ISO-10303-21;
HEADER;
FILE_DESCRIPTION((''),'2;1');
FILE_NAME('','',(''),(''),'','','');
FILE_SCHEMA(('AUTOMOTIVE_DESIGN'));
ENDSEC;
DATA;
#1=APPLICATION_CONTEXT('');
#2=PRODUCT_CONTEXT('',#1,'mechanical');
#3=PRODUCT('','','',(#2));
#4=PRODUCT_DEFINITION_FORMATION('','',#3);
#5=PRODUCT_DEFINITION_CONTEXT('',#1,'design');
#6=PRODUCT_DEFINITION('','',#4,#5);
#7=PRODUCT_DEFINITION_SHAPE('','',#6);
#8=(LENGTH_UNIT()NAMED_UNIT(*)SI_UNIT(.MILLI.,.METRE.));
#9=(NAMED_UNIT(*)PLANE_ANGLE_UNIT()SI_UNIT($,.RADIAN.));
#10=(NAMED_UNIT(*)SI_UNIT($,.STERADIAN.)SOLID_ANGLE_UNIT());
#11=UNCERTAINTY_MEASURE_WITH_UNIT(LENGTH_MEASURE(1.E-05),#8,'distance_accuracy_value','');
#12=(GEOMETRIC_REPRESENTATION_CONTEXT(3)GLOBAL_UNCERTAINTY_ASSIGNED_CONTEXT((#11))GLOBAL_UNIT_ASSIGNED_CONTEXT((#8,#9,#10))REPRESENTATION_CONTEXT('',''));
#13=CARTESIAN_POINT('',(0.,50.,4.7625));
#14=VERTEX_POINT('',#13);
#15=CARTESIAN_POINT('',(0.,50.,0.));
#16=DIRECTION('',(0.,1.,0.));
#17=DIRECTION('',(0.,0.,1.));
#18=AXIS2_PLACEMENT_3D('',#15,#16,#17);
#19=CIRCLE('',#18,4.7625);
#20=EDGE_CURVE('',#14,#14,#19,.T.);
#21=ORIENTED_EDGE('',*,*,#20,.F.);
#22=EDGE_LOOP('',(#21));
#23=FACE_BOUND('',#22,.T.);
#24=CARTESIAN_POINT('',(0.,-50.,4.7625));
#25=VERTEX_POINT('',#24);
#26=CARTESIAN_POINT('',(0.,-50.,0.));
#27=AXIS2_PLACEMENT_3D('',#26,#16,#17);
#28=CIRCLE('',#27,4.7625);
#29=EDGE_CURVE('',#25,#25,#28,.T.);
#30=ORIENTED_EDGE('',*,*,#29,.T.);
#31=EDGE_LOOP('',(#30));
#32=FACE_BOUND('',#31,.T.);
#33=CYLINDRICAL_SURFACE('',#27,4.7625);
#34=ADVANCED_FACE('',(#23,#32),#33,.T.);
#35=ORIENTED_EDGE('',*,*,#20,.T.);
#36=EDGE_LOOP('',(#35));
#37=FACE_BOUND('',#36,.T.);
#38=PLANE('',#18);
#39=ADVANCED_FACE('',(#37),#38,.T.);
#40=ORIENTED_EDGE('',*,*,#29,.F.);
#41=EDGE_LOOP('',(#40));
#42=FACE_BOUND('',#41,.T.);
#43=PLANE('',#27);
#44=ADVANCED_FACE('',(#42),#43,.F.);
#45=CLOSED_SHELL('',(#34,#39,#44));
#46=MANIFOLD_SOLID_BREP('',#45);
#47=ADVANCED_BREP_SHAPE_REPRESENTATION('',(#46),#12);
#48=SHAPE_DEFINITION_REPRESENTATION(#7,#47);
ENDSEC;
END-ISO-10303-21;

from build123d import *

# Parameters (mm, degrees)
BOSS_EXTRUDE1_DEPTH      = 50
BOSS_EXTRUDE1_DEPTH_BACK = 50
SKETCH1_R                = 4.7625


with BuildPart() as part:
    # Sketch1 → Boss-Extrude1 (new, two sides: drawn at the far end of the back side and taken through both)
    with BuildSketch(Plane(origin=(0, 0, 0), x_dir=(1, 0, 0), z_dir=(0, 1, 0)).offset(-BOSS_EXTRUDE1_DEPTH_BACK)):
        Circle(SKETCH1_R)
    extrude(amount=BOSS_EXTRUDE1_DEPTH + BOSS_EXTRUDE1_DEPTH_BACK)


solid = part.part
